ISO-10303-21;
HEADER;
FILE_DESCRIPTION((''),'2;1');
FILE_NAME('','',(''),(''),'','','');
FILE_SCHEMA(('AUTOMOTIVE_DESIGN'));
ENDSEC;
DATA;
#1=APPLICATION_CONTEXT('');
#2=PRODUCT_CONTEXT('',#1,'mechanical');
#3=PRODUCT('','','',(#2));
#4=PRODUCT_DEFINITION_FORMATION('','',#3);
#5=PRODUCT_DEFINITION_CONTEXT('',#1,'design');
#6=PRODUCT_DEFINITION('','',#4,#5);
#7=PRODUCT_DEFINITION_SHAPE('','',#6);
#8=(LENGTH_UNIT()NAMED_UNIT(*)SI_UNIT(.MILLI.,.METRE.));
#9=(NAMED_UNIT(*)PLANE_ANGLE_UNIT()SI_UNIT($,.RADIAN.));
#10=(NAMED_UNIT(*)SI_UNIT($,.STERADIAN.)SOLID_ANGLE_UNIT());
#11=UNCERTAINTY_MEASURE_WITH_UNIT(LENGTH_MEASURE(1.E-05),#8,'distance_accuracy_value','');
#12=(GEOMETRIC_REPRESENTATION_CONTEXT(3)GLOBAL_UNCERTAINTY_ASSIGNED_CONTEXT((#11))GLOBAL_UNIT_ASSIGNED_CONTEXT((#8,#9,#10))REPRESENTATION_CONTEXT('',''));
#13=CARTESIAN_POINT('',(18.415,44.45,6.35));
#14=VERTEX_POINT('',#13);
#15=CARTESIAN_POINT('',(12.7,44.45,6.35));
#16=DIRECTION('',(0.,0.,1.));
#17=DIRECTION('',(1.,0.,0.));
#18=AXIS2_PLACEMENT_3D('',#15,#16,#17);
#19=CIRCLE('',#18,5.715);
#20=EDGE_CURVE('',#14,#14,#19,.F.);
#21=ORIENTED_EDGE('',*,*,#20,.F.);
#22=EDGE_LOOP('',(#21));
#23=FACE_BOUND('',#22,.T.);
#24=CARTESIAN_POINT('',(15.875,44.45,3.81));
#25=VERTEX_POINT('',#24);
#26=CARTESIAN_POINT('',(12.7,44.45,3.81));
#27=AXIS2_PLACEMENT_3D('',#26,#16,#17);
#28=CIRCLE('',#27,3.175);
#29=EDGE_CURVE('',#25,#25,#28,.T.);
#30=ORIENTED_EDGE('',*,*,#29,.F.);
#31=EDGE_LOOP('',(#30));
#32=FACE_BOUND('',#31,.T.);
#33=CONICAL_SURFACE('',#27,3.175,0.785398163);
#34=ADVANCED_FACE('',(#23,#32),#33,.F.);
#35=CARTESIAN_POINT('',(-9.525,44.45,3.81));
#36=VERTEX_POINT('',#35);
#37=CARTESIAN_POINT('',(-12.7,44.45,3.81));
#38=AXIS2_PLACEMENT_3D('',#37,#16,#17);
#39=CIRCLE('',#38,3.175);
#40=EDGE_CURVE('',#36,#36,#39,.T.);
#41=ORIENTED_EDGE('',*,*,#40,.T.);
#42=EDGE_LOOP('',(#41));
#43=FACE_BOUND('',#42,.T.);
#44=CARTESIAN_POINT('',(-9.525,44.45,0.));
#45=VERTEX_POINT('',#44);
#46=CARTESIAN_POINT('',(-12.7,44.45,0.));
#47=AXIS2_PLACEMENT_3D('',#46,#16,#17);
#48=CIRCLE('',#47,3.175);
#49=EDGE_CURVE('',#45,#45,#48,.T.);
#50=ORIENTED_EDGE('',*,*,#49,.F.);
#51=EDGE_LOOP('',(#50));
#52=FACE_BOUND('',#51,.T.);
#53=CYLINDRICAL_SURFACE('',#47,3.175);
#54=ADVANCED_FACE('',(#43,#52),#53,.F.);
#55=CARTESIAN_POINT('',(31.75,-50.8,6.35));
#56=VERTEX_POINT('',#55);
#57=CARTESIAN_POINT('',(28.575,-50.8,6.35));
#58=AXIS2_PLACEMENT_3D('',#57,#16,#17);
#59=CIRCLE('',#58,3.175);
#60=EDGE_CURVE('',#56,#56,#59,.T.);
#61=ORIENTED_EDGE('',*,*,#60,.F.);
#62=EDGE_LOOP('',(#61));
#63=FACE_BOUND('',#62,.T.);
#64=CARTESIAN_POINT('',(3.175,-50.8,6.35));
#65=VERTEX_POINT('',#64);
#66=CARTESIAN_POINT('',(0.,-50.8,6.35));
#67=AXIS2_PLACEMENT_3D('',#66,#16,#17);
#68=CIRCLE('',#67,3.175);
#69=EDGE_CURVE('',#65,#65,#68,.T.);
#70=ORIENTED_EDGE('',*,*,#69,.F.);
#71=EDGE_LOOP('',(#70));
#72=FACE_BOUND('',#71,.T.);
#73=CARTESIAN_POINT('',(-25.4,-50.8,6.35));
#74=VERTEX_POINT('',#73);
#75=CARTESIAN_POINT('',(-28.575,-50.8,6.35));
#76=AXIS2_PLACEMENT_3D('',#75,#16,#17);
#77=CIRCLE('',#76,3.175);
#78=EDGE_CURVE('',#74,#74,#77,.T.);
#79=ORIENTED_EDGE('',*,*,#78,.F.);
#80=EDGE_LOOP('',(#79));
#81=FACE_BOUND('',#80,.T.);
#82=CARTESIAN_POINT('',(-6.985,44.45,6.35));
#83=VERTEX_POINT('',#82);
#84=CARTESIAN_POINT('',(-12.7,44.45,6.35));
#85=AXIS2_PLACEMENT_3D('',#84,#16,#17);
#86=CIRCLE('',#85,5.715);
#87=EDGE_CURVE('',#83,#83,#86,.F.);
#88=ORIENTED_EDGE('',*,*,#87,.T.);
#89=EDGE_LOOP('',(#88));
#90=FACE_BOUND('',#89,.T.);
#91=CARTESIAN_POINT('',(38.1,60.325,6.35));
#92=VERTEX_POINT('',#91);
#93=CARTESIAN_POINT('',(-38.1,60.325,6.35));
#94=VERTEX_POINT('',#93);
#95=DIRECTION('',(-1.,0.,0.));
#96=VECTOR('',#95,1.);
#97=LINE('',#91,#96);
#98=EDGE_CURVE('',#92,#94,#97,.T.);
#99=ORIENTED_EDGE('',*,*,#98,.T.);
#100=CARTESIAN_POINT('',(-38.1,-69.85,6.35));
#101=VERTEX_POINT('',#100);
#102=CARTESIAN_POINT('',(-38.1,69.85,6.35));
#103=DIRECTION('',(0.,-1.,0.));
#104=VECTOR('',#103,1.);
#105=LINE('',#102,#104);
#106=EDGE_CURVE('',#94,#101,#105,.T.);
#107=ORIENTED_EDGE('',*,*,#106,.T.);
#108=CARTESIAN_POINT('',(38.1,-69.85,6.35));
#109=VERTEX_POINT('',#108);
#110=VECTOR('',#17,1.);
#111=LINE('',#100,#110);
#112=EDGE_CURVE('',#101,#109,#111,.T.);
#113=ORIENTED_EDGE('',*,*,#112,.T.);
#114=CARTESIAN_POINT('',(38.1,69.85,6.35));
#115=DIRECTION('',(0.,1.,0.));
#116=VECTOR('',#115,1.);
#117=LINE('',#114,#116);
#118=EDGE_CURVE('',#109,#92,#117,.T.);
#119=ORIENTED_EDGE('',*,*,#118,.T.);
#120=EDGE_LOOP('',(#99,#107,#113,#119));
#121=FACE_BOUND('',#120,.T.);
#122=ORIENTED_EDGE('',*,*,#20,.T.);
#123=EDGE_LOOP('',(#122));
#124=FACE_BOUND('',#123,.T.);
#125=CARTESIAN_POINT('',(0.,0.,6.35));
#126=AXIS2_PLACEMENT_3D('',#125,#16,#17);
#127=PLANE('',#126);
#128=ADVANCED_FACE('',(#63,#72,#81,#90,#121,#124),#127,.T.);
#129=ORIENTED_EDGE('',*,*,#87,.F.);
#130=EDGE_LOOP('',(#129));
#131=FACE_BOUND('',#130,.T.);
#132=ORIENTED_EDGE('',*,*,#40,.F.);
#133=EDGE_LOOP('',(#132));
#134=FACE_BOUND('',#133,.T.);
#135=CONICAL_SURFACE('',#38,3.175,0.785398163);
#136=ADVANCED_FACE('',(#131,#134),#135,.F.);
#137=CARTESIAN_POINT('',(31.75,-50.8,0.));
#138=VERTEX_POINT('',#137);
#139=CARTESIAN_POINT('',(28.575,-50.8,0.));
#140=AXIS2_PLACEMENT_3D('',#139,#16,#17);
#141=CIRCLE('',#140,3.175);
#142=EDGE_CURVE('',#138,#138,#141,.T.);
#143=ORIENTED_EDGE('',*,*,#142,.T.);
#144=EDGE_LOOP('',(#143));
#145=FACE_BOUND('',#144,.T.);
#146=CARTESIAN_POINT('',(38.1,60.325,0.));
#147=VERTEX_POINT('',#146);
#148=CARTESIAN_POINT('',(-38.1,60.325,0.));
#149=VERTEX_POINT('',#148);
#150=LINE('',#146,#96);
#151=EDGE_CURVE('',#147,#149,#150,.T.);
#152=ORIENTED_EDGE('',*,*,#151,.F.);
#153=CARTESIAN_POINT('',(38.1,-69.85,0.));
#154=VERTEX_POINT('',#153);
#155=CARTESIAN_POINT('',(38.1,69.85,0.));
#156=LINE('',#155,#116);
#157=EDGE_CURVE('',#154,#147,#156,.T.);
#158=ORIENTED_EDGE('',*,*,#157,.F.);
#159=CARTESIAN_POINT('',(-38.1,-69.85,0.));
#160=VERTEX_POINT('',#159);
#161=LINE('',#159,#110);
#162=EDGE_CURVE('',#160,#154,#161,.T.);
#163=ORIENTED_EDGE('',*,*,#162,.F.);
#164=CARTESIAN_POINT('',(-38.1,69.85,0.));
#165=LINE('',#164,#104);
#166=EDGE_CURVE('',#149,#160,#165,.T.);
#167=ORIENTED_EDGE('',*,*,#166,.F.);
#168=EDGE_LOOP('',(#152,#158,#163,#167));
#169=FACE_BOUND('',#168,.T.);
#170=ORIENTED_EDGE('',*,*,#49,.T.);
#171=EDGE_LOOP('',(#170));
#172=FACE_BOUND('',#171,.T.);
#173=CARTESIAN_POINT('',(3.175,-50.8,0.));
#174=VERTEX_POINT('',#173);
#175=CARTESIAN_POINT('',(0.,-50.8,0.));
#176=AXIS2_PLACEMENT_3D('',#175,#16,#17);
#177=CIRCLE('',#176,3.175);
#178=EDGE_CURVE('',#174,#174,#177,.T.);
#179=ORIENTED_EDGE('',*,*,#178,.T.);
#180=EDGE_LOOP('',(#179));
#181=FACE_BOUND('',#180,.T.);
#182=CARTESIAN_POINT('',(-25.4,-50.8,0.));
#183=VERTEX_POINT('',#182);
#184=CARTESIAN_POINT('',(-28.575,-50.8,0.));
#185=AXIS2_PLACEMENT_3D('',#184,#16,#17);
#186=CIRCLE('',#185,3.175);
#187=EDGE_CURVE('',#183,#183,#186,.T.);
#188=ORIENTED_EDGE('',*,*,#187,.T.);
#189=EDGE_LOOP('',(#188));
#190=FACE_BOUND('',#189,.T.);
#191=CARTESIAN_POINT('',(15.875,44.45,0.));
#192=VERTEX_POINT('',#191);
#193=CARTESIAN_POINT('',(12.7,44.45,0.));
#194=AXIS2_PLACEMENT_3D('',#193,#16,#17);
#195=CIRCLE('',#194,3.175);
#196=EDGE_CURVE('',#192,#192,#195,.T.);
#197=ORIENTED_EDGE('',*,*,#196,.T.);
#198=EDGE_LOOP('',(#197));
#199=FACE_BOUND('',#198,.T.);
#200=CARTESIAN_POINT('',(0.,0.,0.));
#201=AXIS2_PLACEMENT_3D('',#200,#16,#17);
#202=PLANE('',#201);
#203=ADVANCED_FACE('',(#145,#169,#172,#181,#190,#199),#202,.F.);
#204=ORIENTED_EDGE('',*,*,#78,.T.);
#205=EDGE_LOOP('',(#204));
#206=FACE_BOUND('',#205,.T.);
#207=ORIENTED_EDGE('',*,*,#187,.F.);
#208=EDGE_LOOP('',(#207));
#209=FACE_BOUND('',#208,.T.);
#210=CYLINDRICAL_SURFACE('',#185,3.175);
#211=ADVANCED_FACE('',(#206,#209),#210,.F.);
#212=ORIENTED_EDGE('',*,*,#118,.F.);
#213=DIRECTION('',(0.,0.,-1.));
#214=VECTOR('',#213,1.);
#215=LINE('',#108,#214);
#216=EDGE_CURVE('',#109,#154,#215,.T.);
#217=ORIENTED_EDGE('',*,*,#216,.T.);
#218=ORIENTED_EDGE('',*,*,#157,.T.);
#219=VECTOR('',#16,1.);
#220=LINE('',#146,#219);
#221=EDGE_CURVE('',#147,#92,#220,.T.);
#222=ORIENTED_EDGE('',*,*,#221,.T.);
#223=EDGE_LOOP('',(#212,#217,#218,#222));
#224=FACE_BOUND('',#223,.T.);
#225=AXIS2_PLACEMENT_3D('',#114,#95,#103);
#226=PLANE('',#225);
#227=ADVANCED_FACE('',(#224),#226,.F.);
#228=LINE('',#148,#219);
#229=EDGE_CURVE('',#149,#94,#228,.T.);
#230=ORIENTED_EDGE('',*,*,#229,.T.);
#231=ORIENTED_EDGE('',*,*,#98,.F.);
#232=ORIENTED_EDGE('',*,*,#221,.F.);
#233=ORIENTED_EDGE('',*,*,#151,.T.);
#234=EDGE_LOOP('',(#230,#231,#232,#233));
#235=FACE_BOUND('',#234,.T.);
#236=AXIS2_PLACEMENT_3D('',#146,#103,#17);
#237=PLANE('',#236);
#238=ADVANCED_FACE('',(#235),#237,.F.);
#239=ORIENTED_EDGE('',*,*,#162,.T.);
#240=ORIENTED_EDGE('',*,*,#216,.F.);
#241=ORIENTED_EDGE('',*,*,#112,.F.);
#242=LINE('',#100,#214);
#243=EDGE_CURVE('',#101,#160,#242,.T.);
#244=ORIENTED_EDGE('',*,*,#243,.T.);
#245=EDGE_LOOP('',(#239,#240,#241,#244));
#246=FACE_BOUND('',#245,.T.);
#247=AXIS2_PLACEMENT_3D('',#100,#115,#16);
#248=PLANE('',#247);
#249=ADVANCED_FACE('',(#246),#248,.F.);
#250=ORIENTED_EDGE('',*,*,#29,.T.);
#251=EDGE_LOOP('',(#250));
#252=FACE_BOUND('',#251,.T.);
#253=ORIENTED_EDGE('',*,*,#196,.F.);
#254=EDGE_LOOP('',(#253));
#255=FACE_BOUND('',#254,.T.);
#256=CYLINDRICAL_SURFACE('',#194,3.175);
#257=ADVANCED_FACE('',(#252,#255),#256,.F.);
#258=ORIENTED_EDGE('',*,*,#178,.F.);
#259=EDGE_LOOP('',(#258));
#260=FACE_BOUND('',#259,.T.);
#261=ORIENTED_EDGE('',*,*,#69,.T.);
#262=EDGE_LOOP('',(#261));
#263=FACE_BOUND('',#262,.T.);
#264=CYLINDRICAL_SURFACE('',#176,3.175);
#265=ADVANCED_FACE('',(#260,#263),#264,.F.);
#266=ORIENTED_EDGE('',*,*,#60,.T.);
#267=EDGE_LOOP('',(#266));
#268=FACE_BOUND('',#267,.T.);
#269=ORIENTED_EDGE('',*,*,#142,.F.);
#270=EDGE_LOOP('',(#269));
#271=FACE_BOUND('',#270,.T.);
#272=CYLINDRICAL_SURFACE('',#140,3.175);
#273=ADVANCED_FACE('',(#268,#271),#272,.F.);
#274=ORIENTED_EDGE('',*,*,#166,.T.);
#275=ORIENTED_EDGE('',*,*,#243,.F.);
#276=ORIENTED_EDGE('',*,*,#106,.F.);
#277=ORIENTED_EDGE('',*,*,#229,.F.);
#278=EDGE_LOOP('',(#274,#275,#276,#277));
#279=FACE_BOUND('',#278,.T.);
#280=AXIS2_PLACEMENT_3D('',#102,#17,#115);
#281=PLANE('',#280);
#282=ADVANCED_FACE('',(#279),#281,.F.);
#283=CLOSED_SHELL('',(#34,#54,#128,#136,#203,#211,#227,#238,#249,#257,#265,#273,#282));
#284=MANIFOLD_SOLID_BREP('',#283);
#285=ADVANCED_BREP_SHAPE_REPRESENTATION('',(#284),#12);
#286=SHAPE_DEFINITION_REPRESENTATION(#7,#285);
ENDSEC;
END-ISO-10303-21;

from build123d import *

# Parameters (mm, degrees)
SKETCH1_W           = 76.2
SKETCH1_H           = 139.7
BOSS_EXTRUDE1_DEPTH = 6.35
SKETCH2_R           = 3.175
CUT_EXTRUDE1_DEPTH  = 6.35
CHAMFER2_SIZE       = 2.54
SKETCH3_W           = 6.35
SKETCH3_H           = 9.525
CUT_EXTRUDE2_DEPTH  = 104.565365832


with BuildPart() as part:
    # Sketch1 → Boss-Extrude1 (new body)
    with BuildSketch(Plane.XY):
        Rectangle(SKETCH1_W, SKETCH1_H)
    extrude(amount=BOSS_EXTRUDE1_DEPTH)

    # Sketch2 → Cut-Extrude1 (cut)
    with BuildSketch(Plane.XY.offset(6.35)):
        with Locations((-12.7, 44.45)):
            Circle(SKETCH2_R)
        with Locations((12.7, 44.45)):
            Circle(SKETCH2_R)
        with Locations((-28.575, -50.8)):
            Circle(SKETCH2_R)
        with Locations((0, -50.8)):
            Circle(SKETCH2_R)
        with Locations((28.575, -50.8)):
            Circle(SKETCH2_R)
    extrude(amount=-CUT_EXTRUDE1_DEPTH, mode=Mode.SUBTRACT)

    # Chamfer2
    chamfer2_edges = [part.edges().sort_by_distance(p)[0] for p in [
        (-15.875, 44.45, 6.35),
        (9.525, 44.45, 6.35),
    ]]
    chamfer(chamfer2_edges, length=CHAMFER2_SIZE)

    # Sketch3 → Cut-Extrude2 (cut, through all)
    with BuildSketch(Plane.ZY.offset(38.1)):
        with Locations((3.175, 65.0875)):
            Rectangle(SKETCH3_W, SKETCH3_H)
    extrude(amount=-CUT_EXTRUDE2_DEPTH, mode=Mode.SUBTRACT)


solid = part.part
